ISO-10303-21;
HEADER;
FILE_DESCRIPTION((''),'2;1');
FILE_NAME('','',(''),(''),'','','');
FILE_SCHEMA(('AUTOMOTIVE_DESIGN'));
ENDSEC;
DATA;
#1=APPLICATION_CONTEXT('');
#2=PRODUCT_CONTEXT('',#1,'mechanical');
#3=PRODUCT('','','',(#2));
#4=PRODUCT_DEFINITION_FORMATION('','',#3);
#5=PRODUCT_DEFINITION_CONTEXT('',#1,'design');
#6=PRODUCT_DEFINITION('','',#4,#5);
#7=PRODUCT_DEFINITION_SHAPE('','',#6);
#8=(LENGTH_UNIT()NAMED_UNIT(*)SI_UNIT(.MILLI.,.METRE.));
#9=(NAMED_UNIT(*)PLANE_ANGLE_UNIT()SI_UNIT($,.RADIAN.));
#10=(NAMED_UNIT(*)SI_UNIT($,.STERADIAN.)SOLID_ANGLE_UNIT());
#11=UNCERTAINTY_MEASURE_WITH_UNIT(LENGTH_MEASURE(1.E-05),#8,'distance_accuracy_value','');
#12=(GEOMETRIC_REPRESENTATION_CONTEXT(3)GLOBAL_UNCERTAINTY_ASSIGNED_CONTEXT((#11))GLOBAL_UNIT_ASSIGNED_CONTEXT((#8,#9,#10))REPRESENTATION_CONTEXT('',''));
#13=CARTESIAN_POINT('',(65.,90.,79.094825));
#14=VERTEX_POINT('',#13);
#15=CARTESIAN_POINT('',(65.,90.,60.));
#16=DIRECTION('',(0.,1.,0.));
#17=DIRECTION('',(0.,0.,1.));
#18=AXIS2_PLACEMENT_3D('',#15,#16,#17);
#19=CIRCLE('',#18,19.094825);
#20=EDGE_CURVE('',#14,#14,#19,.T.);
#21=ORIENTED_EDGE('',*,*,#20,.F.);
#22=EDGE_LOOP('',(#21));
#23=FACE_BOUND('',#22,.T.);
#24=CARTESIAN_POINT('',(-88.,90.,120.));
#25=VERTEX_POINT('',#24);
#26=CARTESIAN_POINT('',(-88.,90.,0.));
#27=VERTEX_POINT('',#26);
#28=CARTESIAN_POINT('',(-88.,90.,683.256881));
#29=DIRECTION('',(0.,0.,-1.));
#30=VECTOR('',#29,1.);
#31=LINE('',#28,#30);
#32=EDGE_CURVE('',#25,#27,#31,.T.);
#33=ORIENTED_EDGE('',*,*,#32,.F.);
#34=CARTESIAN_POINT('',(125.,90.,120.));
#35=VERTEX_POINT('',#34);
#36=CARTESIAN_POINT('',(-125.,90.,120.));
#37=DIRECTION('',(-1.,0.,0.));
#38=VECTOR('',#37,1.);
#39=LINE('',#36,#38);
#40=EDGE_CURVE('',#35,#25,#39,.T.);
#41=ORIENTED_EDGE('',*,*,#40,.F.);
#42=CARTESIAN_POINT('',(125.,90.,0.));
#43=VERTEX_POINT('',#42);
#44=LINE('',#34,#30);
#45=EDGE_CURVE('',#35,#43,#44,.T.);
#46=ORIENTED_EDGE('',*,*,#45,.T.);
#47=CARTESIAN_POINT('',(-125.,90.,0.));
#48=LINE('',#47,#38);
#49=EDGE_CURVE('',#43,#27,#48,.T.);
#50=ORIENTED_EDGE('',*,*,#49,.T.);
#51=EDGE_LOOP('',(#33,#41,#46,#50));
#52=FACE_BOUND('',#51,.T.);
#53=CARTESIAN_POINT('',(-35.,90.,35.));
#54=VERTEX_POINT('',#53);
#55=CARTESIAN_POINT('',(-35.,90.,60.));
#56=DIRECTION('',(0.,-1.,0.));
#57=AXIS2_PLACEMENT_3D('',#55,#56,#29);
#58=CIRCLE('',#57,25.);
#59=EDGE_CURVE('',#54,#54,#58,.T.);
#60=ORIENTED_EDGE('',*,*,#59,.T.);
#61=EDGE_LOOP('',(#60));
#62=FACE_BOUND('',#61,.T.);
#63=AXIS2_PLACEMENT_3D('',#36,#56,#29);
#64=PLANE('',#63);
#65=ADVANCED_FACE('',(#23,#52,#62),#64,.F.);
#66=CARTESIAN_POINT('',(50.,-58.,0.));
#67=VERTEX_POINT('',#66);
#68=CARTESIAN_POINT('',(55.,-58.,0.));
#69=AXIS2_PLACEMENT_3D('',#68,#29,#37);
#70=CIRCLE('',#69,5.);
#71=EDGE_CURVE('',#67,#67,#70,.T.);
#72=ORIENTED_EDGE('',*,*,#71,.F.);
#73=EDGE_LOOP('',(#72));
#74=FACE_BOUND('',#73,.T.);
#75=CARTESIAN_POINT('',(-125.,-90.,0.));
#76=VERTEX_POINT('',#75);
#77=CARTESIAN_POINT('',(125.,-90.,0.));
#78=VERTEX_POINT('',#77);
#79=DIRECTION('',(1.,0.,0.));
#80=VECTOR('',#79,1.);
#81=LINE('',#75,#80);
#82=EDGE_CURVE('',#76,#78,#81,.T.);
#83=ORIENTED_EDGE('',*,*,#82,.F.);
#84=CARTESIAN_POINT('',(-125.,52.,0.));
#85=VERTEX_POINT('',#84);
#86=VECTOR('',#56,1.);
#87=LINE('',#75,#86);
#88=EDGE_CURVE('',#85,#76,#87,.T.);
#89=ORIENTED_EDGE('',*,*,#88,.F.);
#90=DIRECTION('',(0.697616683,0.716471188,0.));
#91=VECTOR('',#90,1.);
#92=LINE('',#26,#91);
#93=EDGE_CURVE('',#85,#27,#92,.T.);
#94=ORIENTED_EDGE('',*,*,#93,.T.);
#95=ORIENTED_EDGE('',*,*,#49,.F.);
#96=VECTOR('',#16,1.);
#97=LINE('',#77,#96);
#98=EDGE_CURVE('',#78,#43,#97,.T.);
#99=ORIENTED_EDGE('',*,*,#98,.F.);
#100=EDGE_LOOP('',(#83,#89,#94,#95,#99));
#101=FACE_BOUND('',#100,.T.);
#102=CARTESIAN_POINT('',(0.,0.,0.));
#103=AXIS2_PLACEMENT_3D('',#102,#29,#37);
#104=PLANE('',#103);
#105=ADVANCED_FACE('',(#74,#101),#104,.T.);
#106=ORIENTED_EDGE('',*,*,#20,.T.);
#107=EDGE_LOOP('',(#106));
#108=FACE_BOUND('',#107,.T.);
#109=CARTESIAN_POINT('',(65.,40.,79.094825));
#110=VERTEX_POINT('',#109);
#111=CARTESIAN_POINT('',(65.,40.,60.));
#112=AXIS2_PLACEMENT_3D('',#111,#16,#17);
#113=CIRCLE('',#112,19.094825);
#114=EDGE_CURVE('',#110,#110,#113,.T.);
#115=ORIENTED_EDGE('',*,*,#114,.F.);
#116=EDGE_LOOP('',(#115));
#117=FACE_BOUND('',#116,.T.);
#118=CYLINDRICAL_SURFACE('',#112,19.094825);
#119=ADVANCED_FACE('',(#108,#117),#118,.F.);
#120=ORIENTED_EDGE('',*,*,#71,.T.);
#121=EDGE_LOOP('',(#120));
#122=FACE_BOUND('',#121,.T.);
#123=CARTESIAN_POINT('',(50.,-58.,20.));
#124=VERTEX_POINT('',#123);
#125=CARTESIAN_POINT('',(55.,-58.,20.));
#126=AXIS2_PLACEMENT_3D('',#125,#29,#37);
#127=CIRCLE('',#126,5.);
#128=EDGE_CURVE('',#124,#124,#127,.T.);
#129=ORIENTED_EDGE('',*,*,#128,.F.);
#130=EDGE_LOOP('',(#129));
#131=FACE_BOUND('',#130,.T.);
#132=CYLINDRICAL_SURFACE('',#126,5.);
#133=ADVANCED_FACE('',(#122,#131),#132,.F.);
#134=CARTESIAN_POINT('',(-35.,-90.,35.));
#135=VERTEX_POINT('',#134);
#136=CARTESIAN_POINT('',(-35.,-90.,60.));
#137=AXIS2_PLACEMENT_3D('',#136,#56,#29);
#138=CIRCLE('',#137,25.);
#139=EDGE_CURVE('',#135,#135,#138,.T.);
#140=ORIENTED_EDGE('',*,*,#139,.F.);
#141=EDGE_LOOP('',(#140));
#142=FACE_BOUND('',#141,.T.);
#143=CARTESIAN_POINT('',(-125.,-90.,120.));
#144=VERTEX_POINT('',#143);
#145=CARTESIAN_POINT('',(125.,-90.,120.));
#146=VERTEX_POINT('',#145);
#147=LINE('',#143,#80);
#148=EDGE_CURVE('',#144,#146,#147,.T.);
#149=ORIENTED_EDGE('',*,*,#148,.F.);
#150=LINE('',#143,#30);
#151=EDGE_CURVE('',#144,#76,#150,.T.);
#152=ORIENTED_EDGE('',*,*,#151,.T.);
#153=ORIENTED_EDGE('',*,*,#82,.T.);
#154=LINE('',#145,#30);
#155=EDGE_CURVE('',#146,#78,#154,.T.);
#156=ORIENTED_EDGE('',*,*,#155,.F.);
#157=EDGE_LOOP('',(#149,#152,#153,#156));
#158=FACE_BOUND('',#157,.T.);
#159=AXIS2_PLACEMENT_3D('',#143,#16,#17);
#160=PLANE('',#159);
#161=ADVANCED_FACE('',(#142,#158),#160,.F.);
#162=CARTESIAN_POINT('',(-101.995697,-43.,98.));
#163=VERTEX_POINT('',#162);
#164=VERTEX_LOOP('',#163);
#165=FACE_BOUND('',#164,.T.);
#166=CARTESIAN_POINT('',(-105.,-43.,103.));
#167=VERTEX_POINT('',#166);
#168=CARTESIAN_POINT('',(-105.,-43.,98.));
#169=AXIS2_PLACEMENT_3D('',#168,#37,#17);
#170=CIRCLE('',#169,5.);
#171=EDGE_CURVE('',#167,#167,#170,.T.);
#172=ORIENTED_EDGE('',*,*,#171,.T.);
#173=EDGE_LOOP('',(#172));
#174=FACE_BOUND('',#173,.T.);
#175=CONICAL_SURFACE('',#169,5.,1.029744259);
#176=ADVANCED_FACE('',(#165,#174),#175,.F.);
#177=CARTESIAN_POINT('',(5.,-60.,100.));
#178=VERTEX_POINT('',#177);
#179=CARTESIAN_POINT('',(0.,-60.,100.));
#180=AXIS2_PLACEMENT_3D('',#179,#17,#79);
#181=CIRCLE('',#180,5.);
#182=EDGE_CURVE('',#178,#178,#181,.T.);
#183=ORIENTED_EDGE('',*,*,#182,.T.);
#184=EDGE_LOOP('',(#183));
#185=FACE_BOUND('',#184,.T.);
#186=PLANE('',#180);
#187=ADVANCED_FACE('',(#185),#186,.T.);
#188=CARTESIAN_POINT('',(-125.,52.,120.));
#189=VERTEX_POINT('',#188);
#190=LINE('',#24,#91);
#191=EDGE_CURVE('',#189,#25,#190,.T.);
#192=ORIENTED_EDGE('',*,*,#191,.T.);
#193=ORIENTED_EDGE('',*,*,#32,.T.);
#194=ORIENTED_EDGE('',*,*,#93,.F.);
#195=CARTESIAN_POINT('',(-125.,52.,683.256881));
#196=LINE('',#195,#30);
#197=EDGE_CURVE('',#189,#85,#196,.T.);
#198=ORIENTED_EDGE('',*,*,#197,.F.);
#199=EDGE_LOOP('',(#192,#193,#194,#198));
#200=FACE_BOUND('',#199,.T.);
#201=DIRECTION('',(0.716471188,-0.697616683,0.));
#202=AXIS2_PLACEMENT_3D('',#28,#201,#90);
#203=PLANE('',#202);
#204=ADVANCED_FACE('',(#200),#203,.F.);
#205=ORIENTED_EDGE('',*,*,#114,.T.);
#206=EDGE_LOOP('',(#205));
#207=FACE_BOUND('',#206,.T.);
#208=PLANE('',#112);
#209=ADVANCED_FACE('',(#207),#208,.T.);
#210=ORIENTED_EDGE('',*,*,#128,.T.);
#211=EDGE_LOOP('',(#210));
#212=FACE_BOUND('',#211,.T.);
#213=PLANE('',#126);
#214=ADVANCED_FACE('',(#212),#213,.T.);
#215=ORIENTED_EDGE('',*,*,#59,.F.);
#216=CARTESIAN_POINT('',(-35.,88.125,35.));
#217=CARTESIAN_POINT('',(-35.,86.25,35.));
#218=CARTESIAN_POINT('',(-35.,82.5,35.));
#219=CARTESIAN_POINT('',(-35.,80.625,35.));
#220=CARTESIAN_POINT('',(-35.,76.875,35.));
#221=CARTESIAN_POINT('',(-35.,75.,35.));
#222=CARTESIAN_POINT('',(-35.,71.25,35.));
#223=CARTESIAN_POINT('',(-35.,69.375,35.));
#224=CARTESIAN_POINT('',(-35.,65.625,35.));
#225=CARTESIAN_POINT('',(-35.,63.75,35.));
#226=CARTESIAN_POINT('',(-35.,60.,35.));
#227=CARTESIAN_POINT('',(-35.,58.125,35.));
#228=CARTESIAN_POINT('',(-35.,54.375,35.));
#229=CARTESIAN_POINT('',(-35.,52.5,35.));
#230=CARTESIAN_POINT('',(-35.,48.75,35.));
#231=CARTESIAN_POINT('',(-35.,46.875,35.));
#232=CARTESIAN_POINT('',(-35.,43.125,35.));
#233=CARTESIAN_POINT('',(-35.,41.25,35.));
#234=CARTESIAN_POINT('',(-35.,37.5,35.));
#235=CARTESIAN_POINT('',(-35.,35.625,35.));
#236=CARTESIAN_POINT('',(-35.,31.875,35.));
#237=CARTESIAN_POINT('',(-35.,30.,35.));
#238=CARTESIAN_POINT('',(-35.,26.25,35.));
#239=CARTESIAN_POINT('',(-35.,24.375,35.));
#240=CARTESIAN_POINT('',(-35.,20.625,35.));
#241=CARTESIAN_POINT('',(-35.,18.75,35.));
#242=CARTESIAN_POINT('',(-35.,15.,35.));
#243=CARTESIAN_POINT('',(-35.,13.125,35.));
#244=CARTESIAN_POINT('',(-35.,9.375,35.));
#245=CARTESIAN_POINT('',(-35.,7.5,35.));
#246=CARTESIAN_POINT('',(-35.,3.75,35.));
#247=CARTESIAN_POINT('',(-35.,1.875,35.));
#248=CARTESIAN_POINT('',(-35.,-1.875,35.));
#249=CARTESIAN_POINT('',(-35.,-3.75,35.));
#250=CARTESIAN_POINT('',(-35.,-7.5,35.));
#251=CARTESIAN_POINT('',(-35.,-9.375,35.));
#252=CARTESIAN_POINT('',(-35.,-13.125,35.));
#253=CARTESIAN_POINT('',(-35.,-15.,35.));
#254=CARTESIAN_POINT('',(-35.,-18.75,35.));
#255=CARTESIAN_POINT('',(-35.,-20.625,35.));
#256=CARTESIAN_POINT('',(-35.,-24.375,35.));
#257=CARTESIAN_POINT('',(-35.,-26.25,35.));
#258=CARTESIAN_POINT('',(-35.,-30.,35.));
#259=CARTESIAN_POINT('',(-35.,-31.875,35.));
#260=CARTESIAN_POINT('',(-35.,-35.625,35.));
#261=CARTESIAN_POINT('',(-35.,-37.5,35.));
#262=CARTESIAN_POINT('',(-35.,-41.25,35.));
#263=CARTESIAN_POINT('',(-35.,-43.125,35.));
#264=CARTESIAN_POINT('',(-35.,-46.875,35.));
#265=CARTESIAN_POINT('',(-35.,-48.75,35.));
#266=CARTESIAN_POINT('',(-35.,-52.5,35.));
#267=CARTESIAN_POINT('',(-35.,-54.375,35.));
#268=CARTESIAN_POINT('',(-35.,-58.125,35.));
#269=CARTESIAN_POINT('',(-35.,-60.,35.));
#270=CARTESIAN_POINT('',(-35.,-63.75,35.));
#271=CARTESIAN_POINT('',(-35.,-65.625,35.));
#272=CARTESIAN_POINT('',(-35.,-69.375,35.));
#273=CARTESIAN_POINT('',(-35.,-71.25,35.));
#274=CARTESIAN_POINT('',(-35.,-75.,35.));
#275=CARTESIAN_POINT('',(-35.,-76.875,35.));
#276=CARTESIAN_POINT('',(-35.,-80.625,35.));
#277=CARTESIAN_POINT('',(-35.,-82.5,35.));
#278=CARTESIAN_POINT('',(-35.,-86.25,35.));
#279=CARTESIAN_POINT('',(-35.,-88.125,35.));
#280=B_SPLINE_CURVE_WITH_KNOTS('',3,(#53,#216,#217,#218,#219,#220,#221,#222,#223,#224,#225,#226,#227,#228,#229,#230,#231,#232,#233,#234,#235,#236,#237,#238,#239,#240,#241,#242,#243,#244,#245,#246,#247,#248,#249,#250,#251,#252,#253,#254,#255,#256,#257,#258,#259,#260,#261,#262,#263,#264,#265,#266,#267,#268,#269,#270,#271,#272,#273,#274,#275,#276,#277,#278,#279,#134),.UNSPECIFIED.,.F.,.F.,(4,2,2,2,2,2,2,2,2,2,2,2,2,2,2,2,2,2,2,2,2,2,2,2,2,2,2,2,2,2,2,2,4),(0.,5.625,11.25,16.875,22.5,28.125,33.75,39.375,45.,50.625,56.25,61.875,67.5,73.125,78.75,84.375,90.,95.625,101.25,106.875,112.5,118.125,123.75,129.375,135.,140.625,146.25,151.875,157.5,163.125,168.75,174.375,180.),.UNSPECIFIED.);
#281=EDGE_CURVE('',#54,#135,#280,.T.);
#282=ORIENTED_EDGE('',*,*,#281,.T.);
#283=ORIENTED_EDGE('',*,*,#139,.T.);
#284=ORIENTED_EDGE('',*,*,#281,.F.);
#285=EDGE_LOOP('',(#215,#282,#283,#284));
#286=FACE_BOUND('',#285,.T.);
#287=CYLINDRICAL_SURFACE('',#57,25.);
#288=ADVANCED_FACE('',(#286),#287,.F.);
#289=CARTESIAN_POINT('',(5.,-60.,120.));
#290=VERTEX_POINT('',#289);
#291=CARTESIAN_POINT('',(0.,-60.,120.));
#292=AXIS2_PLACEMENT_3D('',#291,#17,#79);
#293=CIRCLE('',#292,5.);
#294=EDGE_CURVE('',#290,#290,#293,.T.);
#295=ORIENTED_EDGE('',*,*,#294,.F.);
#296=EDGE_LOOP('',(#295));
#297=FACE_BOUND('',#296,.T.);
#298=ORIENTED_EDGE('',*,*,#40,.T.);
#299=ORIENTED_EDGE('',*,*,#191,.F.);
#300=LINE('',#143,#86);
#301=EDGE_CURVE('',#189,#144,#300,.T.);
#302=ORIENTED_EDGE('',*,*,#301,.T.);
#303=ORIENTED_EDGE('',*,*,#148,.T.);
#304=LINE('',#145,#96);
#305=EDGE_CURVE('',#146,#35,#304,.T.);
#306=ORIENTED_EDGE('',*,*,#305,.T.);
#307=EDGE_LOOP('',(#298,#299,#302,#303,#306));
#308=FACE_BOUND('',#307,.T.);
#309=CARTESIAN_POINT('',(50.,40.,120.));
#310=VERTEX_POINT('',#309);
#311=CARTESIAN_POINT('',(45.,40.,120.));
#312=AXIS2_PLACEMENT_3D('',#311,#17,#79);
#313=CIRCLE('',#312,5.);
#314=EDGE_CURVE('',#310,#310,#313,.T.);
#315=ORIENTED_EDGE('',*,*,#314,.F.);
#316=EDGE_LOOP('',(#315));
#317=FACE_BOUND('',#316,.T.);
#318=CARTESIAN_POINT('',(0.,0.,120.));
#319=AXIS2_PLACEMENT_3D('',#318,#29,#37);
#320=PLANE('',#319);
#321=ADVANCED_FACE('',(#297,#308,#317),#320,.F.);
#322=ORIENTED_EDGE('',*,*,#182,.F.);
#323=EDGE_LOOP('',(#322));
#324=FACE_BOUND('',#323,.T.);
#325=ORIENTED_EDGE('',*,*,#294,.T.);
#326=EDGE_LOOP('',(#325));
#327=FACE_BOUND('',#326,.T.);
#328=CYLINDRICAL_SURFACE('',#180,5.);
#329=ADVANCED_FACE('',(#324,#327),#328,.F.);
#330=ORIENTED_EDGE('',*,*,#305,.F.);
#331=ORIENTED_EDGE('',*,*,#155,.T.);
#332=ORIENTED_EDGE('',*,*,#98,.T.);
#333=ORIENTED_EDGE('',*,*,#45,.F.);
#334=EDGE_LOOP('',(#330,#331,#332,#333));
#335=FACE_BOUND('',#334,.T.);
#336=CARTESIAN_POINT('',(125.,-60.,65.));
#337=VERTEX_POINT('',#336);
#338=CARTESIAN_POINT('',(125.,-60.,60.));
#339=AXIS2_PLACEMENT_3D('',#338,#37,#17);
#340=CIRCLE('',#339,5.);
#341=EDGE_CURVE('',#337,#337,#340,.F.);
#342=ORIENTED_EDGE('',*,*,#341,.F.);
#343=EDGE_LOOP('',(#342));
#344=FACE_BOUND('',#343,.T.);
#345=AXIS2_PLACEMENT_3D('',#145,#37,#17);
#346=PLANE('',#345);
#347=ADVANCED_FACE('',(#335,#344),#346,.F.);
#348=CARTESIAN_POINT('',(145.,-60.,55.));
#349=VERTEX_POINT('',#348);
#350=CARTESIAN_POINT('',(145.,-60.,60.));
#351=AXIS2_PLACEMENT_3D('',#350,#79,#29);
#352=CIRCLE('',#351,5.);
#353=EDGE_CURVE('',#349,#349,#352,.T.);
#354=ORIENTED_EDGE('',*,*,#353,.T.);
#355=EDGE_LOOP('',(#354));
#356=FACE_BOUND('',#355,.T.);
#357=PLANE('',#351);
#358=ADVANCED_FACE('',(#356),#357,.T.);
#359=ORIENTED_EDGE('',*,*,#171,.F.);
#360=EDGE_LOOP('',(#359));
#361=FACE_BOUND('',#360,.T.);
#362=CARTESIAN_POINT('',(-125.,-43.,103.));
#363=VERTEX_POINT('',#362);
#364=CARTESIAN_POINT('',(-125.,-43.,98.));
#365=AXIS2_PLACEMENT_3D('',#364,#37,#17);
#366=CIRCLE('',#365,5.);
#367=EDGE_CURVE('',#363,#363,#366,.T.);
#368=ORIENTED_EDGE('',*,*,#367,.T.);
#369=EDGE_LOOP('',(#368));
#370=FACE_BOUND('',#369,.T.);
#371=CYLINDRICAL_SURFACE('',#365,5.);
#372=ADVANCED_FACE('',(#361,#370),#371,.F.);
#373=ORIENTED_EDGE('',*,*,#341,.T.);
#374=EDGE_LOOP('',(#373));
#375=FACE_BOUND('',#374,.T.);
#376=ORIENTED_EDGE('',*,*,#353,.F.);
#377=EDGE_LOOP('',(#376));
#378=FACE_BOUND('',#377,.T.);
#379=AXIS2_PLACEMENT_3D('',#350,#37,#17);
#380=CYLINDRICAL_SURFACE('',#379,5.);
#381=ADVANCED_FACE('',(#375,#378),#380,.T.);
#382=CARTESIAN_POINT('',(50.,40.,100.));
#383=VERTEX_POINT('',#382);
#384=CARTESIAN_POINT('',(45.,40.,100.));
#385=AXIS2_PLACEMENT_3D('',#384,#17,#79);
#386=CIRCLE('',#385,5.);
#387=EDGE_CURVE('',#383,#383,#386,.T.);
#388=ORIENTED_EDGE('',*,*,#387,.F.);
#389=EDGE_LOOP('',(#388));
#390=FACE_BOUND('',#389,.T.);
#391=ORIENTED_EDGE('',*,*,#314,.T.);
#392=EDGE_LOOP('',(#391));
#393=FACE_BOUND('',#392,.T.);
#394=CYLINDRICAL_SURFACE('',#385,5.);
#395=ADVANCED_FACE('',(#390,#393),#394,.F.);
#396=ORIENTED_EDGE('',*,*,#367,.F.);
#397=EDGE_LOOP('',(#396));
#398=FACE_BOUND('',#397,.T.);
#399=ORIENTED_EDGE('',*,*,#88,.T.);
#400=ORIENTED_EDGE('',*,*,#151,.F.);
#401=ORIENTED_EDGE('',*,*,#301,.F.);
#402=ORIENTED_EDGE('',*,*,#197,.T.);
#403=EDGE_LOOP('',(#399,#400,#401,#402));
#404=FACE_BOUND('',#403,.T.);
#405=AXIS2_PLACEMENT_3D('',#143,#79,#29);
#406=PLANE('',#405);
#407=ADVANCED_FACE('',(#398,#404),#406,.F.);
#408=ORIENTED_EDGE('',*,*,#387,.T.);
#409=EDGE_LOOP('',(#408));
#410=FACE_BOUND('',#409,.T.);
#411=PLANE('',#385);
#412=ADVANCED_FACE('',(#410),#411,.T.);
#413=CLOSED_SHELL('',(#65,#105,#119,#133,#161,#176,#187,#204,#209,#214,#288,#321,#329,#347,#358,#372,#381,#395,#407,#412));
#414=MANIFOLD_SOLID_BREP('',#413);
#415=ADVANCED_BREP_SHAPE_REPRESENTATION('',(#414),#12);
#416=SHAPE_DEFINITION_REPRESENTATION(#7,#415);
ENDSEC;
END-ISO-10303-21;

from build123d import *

# Parameters (mm, degrees)
SKETCH1_W                  = 250
SKETCH1_H                  = 180
BOSS_EXTRUDE1_DEPTH        = 120
CUT_EXTRUDE2_DEPTH         = 196.256241898
CUT_EXTRUDE2_DEPTH_BACK    = 120
SKETCH3_R                  = 5
CUT_EXTRUDE3_DEPTH         = 20
SKETCH4_R                  = 5
CUT_EXTRUDE4_DEPTH         = 20
SKETCH6_R                  = 5
CUT_EXTRUDE6_DEPTH         = 20
SKETCH7_R                  = 25
CUT_EXTRUDE7_DEPTH         = 250.849954973
SKETCH5_R                  = 5
BOSS_EXTRUDE2_DEPTH        = 20
F_10_0MM_DOWEL_HOLE1_D     = 10
F_10_0MM_DOWEL_HOLE1_DEPTH = 20
F_10_0MM_DOWEL_HOLE1_TIP   = 3.004303095
SKETCH9_R                  = 19.094825028
CUT_EXTRUDE8_DEPTH         = 50


with BuildPart() as part:
    # Sketch1 → Boss-Extrude1 (new body)
    with BuildSketch(Plane.XY):
        Rectangle(SKETCH1_W, SKETCH1_H)
    extrude(amount=BOSS_EXTRUDE1_DEPTH)

    # Sketch2 → Cut-Extrude2 (cut, two sides: drawn at the far end of the back side and taken through both)
    with BuildSketch(Plane.XY.offset(120).offset(-CUT_EXTRUDE2_DEPTH_BACK)):
        Polygon((320.124564524, 509.15495816), (-88, 90), (-125, 52), (-533.124564524, -367.15495816), (-1371.434480844, 449.094170888), (-518.185351796, 1325.404087208), align=None)
    extrude(amount=CUT_EXTRUDE2_DEPTH + CUT_EXTRUDE2_DEPTH_BACK, mode=Mode.SUBTRACT)

    # Sketch3 → Cut-Extrude3 (cut)
    with BuildSketch(Plane.XY.offset(120)):
        with Locations((45, 40)):
            Circle(SKETCH3_R)
    extrude(amount=-CUT_EXTRUDE3_DEPTH, mode=Mode.SUBTRACT)

    # Sketch4 → Cut-Extrude4 (cut)
    with BuildSketch(Plane.XY.offset(120)):
        with Locations((0, -60)):
            Circle(SKETCH4_R)
    extrude(amount=-CUT_EXTRUDE4_DEPTH, mode=Mode.SUBTRACT)

    # Sketch6 → Cut-Extrude6 (cut)
    with BuildSketch(Plane(origin=(0, 0, 0), x_dir=(-1, 0, 0), z_dir=(0, 0, -1))):
        with Locations((-55, -58)):
            Circle(SKETCH6_R)
    extrude(amount=-CUT_EXTRUDE6_DEPTH, mode=Mode.SUBTRACT)

    # Sketch7 → Cut-Extrude7 (cut, through all)
    with BuildSketch(Plane.XZ.offset(90)):
        with Locations(Location((-35, 60, 0), (0, 0, 270))):
            Circle(SKETCH7_R)
    extrude(amount=-CUT_EXTRUDE7_DEPTH, mode=Mode.SUBTRACT)

    # Sketch5 → Boss-Extrude2 (add)
    with BuildSketch(Plane(origin=(125, 0, 0), x_dir=(0, 0, -1), z_dir=(1, 0, 0))):
        with Locations(Location((-60, -60, 0), (0, 0, 180))):
            Circle(SKETCH5_R)
    extrude(amount=BOSS_EXTRUDE2_DEPTH)

    # Ø10.0mm Dowel Hole1
    with Locations(Plane(origin=(-125, -43, 98), x_dir=(0, 0, -1), z_dir=(-1, 0, 0))):
        with Locations((0, 0)):
            Hole(F_10_0MM_DOWEL_HOLE1_D / 2, depth=F_10_0MM_DOWEL_HOLE1_DEPTH)
            with Locations((0, 0, -(F_10_0MM_DOWEL_HOLE1_DEPTH + F_10_0MM_DOWEL_HOLE1_TIP / 2))):  # 118° drill point
                Cone(0, F_10_0MM_DOWEL_HOLE1_D / 2, F_10_0MM_DOWEL_HOLE1_TIP, mode=Mode.SUBTRACT)

    # Sketch9 → Cut-Extrude8 (cut)
    with BuildSketch(Plane(origin=(0, 90, 0), x_dir=(1, 0, 0), z_dir=(0, 1, 0))):
        with Locations(Location((65, -60, 0), (0, 0, 270))):
            Circle(SKETCH9_R)
    extrude(amount=-CUT_EXTRUDE8_DEPTH, mode=Mode.SUBTRACT)


solid = part.part
